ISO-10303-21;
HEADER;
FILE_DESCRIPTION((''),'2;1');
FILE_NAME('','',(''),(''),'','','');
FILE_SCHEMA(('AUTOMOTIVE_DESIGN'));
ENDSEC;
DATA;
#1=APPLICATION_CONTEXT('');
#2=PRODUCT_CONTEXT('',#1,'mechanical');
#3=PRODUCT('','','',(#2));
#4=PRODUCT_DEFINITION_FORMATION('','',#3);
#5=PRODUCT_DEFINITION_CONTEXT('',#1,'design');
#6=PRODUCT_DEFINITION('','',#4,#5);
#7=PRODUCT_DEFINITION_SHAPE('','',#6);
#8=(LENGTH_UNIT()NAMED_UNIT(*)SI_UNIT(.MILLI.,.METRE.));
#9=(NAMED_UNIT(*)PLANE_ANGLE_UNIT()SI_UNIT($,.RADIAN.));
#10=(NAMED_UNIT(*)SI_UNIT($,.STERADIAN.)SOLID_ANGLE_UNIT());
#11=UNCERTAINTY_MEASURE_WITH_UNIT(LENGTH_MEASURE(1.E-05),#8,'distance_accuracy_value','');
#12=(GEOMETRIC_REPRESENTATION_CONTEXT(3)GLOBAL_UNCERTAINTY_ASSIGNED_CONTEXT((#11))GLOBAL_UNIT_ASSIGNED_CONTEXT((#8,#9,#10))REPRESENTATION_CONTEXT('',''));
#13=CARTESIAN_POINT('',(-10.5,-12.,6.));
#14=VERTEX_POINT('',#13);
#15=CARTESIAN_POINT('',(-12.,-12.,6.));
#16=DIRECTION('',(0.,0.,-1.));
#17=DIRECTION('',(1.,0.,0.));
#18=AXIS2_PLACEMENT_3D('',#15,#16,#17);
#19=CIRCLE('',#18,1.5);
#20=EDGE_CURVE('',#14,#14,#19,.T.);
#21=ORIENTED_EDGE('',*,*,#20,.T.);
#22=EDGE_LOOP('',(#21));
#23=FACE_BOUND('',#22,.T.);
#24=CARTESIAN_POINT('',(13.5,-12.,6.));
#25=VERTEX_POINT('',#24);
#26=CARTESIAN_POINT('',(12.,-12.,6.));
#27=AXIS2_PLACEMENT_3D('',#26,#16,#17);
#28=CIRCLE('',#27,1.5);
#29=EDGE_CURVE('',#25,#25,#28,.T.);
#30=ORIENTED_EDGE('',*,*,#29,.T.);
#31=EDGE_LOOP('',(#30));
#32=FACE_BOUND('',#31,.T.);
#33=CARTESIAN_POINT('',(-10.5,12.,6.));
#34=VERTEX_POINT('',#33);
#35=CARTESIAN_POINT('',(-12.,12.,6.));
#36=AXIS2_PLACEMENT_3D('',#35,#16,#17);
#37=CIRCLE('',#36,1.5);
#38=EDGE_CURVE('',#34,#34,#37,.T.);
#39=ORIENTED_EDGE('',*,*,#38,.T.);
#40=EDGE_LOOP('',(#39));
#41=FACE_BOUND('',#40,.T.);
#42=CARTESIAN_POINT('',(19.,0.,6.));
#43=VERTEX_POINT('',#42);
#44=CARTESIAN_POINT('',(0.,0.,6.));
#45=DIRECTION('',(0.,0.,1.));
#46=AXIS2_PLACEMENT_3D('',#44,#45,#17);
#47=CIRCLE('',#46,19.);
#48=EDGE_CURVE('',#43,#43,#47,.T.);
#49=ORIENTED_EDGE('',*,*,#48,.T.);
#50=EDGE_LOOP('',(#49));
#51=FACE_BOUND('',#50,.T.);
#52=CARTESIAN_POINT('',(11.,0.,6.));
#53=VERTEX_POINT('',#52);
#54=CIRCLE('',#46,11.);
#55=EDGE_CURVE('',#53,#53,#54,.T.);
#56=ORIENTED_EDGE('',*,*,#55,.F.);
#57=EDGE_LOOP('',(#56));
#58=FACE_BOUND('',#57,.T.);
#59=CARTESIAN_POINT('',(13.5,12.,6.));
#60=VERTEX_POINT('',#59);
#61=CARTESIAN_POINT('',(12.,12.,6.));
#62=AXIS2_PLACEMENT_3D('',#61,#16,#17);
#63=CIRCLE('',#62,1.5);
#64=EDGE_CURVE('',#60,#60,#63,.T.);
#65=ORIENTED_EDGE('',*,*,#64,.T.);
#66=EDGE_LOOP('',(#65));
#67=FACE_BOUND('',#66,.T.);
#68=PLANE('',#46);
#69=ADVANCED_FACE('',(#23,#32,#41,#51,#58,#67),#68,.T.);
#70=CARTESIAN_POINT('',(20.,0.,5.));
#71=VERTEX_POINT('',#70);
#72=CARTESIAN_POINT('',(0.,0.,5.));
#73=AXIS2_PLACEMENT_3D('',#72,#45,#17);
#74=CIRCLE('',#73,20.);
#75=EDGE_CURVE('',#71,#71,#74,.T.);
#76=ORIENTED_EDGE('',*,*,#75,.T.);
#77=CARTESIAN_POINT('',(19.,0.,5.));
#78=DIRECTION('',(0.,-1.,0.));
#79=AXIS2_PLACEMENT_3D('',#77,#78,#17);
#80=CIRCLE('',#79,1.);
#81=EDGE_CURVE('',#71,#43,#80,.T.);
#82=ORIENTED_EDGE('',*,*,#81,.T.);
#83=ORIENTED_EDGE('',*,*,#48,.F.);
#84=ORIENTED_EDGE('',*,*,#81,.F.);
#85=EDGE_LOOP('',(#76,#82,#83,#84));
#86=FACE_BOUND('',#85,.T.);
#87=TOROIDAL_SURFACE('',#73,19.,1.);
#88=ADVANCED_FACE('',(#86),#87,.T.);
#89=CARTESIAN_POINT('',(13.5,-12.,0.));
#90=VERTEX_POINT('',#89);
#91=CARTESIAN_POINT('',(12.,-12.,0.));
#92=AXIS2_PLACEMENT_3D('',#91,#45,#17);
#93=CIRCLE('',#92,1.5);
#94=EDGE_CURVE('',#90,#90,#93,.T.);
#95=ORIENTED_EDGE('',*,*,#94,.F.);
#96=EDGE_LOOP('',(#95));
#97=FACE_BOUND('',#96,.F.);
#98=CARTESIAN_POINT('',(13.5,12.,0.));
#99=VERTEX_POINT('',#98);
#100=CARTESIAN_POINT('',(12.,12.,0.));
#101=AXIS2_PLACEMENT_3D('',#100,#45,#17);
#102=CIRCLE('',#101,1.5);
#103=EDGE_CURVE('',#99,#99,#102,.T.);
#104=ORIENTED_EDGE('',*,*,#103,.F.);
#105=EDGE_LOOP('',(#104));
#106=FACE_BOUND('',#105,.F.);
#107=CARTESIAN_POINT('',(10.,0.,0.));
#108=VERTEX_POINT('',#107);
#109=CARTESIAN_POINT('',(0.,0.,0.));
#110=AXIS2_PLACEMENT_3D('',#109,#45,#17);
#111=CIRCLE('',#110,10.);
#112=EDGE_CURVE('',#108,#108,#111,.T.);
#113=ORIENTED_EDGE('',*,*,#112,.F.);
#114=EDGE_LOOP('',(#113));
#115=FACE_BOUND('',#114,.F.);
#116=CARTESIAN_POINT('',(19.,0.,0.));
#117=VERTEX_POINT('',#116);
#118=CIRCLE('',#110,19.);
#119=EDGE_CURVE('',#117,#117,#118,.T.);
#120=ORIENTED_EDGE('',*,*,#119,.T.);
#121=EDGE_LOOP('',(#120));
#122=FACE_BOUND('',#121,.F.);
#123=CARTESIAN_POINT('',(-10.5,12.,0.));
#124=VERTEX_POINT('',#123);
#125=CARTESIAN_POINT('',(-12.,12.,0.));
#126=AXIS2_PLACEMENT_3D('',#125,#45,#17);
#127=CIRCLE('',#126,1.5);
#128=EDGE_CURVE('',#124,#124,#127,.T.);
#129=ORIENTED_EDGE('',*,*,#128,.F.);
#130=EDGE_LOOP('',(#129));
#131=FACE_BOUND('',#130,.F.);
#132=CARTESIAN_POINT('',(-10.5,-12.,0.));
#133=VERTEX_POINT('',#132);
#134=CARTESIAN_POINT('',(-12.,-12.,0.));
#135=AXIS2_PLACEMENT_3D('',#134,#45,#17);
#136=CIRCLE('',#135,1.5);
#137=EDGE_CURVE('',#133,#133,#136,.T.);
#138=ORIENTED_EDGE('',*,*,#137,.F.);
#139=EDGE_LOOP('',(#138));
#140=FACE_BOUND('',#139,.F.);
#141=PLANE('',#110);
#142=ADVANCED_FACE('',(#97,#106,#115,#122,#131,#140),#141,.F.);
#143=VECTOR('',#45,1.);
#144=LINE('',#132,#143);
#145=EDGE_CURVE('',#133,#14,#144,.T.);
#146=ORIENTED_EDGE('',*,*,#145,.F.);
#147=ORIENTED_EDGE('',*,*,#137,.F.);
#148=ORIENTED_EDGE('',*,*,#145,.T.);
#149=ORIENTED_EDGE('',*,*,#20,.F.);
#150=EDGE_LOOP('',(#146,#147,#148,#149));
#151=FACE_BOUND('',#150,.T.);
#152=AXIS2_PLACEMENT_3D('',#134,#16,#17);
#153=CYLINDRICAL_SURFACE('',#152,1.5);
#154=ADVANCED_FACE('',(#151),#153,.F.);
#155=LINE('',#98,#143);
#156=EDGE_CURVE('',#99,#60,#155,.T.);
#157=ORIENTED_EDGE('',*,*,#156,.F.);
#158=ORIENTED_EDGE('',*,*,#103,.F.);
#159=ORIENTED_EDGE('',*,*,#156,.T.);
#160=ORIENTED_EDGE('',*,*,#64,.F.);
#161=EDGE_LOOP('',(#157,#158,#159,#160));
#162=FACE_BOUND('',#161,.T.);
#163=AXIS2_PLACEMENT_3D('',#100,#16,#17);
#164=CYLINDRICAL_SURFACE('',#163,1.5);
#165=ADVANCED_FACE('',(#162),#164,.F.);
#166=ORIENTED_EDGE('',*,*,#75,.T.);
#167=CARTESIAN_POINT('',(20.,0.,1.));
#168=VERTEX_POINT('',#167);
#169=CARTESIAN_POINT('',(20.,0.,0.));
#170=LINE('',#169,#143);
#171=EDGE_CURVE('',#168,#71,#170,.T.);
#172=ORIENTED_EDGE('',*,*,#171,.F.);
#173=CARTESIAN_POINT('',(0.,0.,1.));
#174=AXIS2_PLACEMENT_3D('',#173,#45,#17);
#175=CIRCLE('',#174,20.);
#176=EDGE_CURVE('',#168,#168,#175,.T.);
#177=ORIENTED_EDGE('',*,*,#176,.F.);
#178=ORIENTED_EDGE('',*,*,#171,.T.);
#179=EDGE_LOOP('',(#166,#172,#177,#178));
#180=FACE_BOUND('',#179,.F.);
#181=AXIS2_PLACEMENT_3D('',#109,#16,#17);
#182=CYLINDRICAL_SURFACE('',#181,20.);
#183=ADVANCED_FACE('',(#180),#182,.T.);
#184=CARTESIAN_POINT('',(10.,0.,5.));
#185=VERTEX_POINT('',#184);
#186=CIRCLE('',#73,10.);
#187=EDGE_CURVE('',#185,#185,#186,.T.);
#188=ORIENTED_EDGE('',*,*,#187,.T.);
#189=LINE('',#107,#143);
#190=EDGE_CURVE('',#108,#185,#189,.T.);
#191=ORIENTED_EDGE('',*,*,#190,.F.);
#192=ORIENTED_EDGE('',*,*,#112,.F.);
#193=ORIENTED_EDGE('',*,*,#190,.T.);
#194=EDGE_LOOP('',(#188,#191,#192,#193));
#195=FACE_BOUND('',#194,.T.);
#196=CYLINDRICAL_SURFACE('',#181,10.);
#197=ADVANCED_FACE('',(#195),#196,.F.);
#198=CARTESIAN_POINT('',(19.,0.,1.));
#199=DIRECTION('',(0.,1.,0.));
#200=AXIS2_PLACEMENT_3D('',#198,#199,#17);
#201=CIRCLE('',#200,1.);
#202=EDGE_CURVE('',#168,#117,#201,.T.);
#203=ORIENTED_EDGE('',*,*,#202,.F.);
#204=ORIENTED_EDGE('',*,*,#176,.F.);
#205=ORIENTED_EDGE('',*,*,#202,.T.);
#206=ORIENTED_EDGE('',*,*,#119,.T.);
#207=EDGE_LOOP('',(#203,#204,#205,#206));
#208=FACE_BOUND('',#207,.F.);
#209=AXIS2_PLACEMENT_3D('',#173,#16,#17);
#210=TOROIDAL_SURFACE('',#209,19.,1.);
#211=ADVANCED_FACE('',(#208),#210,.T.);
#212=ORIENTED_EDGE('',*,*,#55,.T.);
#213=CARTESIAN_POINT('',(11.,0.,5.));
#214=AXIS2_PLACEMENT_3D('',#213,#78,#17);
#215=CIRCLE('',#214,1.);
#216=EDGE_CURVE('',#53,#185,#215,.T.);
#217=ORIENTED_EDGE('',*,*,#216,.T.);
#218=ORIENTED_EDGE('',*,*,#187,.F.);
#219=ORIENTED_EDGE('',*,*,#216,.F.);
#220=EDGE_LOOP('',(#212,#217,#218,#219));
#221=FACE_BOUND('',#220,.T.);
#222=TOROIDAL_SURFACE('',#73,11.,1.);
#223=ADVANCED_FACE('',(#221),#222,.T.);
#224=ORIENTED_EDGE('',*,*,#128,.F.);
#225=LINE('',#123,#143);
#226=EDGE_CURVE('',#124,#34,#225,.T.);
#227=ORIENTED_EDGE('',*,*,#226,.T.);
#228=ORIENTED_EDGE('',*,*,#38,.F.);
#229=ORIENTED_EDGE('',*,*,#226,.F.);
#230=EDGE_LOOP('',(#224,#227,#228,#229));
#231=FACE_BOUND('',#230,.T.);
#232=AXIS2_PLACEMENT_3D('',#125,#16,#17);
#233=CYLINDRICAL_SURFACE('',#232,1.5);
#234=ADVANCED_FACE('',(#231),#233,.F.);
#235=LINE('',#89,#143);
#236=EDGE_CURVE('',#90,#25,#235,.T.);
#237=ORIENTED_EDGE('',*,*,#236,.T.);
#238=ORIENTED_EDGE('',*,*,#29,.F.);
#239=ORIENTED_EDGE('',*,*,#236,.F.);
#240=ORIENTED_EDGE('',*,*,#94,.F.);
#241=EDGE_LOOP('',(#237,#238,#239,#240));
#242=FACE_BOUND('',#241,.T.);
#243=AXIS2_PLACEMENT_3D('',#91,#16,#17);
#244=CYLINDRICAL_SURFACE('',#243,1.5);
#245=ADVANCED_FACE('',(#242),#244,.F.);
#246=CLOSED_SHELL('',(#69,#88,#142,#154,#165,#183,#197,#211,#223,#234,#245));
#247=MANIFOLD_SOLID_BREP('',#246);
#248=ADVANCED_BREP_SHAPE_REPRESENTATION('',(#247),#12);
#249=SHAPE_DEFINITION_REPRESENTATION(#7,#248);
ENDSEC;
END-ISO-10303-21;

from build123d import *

# Parameters (mm, degrees)
CYLINDER019_R     = 1.5
CYLINDER019_DEPTH = 10
ARRAY_X_COUNT     = 2
ARRAY_X_PITCH     = 24
ARRAY_Y_COUNT     = 2
ARRAY_Y_PITCH     = 24
CYLINDER014_R     = 10
CYLINDER014_DEPTH = 6
CYLINDER018_R     = 20
CYLINDER018_DEPTH = 6
FILLET_R          = 1


with BuildPart() as bolt_hole_array:
    # Cylinder019 → Cylinder019 (new body)
    with BuildSketch(Plane.XY):
        Circle(CYLINDER019_R)
    extrude(amount=CYLINDER019_DEPTH)

    # Array X: bolt hole array ×2


with BuildPart() as bolt_hole_array_1:
    add(bolt_hole_array.part)
    with Locations(*[(i * ARRAY_X_PITCH, 0, 0) for i in range(1, ARRAY_X_COUNT)]):
        add(bolt_hole_array.part)

    # Array Y: bolt hole array ×2


with BuildPart() as bolt_hole_array_2:
    add(bolt_hole_array_1.part)
    with Locations(*[(0, i * ARRAY_Y_PITCH, 0) for i in range(1, ARRAY_Y_COUNT)]):
        add(bolt_hole_array_1.part)


with BuildPart() as bolt_hole_array_3:
    # Array placement: moved
    add(bolt_hole_array_2.part.moved(Location((-12, -12, 0))))


with BuildPart() as hole_fusion:
    # Cylinder014 → Cylinder014 (new body)
    with BuildSketch(Plane.XY):
        Circle(CYLINDER014_R)
    extrude(amount=CYLINDER014_DEPTH)

    # Fusion003: union bolt hole array
    add(bolt_hole_array_3.part)


with BuildPart() as fillet_body:
    # Cylinder018 → Cylinder018 (new body)
    with BuildSketch(Plane.XY):
        Circle(CYLINDER018_R)
    extrude(amount=CYLINDER018_DEPTH)

    # Cut003: cut hole fusion
    add(hole_fusion.part, mode=Mode.SUBTRACT)

    # Fillet
    fillet_edges = [fillet_body.edges().sort_by_distance(p)[0] for p in [
        (-20, 0, 6),
        (-20, 0, 0),
        (-10, 0, 6),
    ]]
    fillet(fillet_edges, radius=FILLET_R)


solid = fillet_body.part
